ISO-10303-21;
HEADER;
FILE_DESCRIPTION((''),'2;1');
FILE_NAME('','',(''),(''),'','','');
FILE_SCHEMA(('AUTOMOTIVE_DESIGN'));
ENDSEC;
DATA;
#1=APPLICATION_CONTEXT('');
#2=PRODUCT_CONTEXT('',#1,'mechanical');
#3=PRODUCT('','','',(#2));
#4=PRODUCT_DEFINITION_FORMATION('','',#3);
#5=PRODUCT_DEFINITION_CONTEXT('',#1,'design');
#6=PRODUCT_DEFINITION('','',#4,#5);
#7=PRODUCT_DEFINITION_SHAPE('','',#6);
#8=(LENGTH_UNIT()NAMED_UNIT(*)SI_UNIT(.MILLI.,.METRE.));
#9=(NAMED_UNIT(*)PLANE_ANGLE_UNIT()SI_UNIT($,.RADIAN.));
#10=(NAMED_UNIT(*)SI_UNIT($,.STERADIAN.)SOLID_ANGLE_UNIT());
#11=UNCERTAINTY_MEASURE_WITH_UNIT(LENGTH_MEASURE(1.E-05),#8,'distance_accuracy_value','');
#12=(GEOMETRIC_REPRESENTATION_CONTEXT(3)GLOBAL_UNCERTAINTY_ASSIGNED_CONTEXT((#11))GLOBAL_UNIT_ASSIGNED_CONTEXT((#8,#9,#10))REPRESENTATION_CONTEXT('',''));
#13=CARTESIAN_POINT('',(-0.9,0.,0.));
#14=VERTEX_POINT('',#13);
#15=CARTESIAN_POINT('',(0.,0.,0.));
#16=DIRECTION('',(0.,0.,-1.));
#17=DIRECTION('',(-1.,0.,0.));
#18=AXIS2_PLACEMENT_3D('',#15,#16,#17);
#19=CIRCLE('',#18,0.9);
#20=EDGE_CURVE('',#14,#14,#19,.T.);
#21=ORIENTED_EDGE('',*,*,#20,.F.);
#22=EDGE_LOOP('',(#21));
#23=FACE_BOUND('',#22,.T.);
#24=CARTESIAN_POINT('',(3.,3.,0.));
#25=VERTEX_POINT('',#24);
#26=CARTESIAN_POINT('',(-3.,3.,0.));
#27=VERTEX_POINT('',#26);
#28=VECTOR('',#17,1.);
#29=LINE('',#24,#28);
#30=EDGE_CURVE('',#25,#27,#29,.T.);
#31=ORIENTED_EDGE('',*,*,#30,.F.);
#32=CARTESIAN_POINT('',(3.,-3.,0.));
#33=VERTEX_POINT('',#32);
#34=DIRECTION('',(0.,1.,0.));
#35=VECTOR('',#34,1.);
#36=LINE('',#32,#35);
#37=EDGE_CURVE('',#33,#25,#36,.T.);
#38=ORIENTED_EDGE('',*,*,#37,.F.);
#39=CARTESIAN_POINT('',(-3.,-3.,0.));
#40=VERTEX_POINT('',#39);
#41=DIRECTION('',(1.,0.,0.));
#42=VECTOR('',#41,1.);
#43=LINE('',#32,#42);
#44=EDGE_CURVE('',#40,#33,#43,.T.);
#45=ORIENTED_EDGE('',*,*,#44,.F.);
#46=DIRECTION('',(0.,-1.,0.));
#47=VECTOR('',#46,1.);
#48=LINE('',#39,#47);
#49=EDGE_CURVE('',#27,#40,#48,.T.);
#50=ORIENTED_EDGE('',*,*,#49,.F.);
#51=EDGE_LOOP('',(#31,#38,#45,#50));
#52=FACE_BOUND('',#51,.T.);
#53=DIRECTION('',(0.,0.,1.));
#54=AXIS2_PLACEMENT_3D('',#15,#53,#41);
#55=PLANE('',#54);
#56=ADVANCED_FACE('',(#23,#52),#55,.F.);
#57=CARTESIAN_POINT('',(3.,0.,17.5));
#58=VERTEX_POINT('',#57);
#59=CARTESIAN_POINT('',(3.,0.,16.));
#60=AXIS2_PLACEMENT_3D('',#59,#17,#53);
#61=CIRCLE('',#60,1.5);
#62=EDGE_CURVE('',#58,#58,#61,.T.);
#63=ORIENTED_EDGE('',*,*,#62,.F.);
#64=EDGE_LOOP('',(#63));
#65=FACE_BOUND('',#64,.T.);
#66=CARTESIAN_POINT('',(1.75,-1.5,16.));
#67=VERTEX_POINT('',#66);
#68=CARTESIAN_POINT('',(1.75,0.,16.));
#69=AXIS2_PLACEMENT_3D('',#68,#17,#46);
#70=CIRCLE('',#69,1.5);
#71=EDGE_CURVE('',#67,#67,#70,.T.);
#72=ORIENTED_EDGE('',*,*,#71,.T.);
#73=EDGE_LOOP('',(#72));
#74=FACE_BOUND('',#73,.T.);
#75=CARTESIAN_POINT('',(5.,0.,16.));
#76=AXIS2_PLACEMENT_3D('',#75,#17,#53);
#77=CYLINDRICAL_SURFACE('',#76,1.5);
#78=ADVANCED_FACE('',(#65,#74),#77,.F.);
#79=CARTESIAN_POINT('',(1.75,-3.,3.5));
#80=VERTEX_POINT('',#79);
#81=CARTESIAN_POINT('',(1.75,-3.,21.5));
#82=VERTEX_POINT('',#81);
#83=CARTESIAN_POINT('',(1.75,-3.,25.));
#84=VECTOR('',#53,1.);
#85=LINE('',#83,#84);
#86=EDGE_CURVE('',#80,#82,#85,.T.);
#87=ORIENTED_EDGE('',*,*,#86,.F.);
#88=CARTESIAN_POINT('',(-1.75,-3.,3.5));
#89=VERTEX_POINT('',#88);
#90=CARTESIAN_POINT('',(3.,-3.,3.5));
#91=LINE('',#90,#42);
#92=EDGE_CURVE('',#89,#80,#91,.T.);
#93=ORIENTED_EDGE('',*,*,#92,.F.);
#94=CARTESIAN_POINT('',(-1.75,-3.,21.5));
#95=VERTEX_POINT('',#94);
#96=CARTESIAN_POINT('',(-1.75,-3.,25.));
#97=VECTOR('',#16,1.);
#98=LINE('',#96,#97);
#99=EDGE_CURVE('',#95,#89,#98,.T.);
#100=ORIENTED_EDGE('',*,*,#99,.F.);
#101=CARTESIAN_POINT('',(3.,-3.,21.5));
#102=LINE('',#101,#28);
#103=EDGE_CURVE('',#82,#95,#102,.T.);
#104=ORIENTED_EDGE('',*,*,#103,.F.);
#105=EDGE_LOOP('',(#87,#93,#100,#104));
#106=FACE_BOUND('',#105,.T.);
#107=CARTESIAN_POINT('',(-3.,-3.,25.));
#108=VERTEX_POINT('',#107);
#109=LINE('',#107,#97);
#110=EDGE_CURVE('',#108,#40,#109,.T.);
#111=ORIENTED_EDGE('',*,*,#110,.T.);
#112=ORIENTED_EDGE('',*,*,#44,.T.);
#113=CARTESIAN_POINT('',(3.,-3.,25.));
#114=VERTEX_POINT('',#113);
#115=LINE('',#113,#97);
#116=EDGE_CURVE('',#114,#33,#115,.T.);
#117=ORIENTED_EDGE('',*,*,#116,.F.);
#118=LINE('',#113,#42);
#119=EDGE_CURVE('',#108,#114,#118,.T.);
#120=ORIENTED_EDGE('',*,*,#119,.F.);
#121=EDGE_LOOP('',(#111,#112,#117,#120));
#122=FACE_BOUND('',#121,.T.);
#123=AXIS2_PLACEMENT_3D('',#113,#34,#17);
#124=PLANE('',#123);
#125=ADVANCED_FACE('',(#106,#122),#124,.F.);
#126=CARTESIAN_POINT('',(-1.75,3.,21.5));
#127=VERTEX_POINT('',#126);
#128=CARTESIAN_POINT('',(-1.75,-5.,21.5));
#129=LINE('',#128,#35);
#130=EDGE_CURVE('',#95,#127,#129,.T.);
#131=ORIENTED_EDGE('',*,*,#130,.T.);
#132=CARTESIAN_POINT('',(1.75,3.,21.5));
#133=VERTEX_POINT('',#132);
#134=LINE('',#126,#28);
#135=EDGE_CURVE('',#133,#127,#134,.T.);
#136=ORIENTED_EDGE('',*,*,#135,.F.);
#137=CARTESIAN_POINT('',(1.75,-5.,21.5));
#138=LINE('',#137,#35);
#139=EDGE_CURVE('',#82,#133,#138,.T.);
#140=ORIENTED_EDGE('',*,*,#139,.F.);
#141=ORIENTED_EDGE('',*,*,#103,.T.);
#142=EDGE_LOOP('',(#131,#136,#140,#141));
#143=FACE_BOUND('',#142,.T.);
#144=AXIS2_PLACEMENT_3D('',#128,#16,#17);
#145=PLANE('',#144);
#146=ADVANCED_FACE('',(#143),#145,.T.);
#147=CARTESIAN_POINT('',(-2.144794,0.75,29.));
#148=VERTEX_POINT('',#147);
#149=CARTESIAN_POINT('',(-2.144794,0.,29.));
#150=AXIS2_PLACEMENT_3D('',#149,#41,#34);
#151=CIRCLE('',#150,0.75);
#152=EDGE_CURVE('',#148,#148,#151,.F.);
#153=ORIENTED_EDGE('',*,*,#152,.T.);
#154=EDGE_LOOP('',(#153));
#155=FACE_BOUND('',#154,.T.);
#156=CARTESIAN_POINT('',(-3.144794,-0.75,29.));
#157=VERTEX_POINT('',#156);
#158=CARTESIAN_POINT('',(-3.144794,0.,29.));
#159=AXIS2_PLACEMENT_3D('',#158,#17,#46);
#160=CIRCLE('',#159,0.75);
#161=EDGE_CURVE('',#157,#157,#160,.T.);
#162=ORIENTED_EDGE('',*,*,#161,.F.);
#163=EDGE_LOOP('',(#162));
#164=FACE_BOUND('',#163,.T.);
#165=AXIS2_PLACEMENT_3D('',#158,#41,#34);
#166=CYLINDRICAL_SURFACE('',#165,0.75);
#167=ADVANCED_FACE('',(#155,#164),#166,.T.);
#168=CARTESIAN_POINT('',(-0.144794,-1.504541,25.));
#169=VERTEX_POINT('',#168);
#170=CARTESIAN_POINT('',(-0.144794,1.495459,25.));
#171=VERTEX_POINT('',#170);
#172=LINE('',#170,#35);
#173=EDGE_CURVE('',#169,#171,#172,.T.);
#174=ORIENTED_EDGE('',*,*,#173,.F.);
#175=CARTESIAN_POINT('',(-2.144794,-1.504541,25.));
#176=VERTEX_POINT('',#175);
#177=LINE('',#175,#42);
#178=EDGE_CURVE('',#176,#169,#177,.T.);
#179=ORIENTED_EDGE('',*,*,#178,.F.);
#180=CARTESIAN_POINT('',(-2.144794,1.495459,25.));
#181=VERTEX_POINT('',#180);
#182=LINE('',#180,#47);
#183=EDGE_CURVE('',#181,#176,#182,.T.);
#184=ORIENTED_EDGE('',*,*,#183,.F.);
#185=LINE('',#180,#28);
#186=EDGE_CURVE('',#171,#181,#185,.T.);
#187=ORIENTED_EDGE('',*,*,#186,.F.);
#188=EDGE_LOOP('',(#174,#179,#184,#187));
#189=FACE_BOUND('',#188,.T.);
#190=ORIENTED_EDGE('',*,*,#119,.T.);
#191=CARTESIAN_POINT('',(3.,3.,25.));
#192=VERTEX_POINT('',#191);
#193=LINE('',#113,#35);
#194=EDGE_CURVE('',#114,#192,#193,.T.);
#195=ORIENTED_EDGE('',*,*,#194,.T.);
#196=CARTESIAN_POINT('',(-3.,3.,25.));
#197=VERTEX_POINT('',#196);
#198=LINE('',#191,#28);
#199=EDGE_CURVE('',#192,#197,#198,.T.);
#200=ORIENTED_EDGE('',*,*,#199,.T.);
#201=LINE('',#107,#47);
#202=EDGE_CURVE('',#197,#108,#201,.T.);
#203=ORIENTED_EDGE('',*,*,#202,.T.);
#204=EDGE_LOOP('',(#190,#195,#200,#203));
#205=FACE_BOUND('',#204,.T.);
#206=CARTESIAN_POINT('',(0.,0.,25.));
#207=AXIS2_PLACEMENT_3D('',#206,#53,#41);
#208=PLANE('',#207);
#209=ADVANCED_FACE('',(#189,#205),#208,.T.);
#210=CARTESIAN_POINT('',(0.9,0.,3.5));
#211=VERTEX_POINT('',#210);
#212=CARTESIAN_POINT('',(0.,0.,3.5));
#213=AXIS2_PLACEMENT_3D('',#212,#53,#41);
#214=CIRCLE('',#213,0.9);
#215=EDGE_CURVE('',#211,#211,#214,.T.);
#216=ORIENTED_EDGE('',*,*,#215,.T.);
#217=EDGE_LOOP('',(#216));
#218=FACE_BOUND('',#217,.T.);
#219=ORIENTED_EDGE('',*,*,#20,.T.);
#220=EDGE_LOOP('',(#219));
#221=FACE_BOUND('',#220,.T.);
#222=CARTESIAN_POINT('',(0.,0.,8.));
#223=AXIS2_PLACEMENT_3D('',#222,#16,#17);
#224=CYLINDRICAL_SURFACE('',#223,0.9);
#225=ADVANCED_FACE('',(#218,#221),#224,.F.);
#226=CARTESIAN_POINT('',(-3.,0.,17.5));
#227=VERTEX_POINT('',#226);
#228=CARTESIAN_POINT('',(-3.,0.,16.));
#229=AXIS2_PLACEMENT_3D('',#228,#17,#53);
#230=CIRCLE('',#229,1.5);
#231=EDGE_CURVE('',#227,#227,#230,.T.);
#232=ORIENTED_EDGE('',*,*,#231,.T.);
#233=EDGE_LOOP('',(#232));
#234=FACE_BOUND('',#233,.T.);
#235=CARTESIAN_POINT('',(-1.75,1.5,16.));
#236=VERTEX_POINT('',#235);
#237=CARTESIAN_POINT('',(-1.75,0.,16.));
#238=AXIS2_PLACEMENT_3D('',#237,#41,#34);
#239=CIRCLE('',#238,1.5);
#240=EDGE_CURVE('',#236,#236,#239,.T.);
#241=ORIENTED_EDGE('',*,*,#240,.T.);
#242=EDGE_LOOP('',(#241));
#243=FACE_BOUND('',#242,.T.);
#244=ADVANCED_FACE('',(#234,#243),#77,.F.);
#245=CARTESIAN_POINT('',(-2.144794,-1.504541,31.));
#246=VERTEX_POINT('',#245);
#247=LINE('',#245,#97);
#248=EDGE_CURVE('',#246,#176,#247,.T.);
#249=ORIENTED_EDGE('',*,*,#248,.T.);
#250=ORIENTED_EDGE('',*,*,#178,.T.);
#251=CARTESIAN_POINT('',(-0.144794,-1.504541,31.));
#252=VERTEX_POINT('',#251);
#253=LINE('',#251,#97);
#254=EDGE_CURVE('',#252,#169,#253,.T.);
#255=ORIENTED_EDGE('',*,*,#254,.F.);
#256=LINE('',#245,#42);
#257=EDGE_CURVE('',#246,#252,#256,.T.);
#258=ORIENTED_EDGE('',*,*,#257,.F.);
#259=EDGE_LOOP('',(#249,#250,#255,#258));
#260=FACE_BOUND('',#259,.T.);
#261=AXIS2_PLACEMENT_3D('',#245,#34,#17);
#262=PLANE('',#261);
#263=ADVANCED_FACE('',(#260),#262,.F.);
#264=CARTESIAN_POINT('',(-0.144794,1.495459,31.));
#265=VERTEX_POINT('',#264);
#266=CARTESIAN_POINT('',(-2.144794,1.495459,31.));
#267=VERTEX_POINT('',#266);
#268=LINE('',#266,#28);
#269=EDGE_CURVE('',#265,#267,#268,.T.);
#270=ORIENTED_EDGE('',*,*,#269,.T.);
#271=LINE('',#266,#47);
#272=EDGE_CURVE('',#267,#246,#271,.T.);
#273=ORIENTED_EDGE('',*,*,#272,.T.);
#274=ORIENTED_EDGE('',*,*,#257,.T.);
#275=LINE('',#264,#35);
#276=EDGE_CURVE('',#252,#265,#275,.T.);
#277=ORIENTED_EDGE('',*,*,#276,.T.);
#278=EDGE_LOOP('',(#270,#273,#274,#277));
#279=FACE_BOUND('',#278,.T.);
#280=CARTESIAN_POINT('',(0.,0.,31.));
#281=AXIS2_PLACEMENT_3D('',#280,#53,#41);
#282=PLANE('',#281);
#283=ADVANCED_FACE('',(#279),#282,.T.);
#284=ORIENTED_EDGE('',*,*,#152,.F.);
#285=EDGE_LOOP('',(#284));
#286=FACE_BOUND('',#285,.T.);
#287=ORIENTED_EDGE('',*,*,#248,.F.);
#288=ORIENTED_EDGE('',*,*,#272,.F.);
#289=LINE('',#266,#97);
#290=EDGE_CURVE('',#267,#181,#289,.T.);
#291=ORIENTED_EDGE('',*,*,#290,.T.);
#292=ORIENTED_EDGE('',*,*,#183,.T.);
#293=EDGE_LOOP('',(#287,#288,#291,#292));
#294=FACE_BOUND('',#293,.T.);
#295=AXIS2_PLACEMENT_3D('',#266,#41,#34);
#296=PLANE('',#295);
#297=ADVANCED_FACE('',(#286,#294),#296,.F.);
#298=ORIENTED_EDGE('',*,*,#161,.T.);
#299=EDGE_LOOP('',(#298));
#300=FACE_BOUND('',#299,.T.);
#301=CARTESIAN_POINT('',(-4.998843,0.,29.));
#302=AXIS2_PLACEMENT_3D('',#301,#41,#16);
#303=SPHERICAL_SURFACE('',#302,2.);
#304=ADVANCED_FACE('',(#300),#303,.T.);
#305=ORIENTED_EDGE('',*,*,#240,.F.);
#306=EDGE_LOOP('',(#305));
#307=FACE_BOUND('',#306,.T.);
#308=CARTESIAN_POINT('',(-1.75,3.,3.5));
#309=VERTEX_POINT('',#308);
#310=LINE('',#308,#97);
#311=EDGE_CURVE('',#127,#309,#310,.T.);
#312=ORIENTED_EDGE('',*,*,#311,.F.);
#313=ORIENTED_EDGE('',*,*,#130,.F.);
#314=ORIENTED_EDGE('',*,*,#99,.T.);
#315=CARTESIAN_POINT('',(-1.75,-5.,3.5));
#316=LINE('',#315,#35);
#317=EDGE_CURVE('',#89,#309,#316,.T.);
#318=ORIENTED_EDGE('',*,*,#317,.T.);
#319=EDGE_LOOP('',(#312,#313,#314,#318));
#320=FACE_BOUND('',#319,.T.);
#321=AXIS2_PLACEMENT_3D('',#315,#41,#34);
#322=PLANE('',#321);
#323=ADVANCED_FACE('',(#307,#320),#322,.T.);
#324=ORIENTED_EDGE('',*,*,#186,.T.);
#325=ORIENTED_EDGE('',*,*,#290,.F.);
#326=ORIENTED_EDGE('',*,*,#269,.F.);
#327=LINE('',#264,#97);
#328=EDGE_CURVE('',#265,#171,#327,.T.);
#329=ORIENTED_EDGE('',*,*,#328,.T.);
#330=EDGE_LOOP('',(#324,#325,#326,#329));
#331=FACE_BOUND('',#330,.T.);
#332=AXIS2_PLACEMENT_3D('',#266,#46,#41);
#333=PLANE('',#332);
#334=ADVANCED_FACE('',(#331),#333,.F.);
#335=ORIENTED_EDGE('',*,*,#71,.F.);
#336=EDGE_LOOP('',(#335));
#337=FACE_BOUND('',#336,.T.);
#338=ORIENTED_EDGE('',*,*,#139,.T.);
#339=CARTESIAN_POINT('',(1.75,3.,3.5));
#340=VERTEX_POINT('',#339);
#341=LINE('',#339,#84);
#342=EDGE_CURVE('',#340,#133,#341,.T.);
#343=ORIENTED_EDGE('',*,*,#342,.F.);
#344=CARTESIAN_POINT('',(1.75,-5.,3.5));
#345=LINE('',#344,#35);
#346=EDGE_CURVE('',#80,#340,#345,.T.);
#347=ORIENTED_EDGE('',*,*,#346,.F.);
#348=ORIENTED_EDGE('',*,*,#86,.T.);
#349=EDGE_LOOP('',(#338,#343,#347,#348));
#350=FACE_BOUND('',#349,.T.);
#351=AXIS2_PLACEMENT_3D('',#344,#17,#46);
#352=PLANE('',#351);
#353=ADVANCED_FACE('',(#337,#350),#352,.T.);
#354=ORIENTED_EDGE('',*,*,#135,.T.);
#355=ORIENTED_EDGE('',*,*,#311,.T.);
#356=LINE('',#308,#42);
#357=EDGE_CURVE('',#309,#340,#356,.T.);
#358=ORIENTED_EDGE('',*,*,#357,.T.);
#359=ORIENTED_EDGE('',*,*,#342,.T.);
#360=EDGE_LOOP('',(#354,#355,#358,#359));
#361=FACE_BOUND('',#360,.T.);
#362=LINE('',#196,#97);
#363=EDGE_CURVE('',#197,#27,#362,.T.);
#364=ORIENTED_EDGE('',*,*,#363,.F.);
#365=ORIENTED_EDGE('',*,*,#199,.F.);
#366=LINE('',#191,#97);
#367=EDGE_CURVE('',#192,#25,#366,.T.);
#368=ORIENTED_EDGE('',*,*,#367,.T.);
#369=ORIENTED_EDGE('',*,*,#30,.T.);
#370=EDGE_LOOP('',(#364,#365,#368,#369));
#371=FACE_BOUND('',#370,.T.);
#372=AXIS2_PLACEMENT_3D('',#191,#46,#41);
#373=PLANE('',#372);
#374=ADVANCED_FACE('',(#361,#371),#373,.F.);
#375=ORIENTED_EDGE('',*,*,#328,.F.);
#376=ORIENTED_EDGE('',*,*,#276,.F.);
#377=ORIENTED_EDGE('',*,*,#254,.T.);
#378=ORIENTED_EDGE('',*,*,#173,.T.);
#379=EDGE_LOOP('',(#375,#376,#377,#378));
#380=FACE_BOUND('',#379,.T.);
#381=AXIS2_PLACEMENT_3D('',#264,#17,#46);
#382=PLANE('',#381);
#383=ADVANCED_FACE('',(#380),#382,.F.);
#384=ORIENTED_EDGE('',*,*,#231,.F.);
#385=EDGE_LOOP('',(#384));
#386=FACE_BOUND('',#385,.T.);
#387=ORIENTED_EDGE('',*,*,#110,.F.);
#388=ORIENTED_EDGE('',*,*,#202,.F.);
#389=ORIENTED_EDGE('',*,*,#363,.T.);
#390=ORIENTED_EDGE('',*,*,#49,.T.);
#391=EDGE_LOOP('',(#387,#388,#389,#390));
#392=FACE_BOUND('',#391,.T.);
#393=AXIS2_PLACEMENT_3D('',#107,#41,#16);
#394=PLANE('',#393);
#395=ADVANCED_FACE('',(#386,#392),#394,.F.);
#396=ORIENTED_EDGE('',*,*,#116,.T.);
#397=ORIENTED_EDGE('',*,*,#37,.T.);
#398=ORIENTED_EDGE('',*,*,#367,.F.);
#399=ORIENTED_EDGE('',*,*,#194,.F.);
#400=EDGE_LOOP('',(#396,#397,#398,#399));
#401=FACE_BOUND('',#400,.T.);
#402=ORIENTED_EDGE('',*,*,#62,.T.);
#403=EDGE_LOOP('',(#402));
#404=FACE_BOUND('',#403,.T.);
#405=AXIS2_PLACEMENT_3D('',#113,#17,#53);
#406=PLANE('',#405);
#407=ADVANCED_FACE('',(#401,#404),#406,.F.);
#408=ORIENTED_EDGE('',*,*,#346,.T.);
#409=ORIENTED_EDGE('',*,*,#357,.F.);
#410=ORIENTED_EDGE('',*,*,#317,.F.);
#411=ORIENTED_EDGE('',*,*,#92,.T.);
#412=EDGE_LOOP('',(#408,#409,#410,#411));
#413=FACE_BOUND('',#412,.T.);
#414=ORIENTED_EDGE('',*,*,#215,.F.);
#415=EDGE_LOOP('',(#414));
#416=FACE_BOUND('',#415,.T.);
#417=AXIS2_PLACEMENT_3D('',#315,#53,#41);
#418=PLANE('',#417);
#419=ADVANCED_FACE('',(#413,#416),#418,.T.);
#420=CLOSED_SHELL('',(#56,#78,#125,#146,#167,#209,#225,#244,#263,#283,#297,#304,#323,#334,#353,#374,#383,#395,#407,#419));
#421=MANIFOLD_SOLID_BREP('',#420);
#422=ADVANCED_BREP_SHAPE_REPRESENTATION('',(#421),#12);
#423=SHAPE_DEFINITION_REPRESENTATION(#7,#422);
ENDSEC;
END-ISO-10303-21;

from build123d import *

# Parameters (mm, degrees)
SKETCH_1_W          = 6
SKETCH_1_H          = 6
EXTRUDE_1_DEPTH     = 25
SKETCH_2_W          = 2
SKETCH_2_H          = 3
EXTRUDE_2_DEPTH     = 6
SKETCH_3_R          = 0.75
EXTRUDE_3_DEPTH     = 1
SKETCH_5_W          = 18
SKETCH_5_H          = 3.5
CUT_EXTRUDE_1_DEPTH = 8
SKETCH_6_R          = 1.5
CUT_EXTRUDE_2_DEPTH = 8
SKETCH_7_R          = 0.9
CUT_EXTRUDE_3_DEPTH = 8


with BuildPart() as part:
    # 草图1 → 凸台-拉伸1 (new body)
    with BuildSketch(Plane.XY):
        Rectangle(SKETCH_1_W, SKETCH_1_H)
    extrude(amount=EXTRUDE_1_DEPTH)

    # 草图2 → 凸台-拉伸2 (add)
    with BuildSketch(Plane.XY.offset(25)):
        with Locations((-1.14479355, -0.004540815)):
            Rectangle(SKETCH_2_W, SKETCH_2_H)
    extrude(amount=EXTRUDE_2_DEPTH)

    # 草图3 → 凸台-拉伸3 (add)
    with BuildSketch(Plane.ZY.offset(2.14479355)):
        with Locations(Location((29, 0, 0), (0, 0, 90))):
            Circle(SKETCH_3_R)
    extrude(amount=EXTRUDE_3_DEPTH)

    # 草图4 → 旋转1 (revolve)
    with BuildSketch(Plane(origin=(0, 0, 0), x_dir=(1, 0, 0), z_dir=(0, 1, 0))):
        with BuildLine():
            Line((-3.14479355, -29), (-6.998843172, -29))
            ThreePointArc((-6.998843172, -29), (-5.380877697, -27.036826645), (-3.14479355, -28.25))
            Line((-3.14479355, -28.25), (-3.14479355, -29))
        make_face()
    revolve(axis=Axis((-3.14479355, 0, 29), (-1, 0, 0)))

    # 草图5 → 切除-拉伸1 (cut)
    with BuildSketch(Plane(origin=(0.5, 3, 0), x_dir=(0, 0, 1), z_dir=(0, -1, 0))):
        with Locations((12.5, 0.5)):
            Rectangle(SKETCH_5_W, SKETCH_5_H)
    extrude(amount=CUT_EXTRUDE_1_DEPTH, mode=Mode.SUBTRACT)

    # 草图6 → 切除-拉伸2 (cut)
    with BuildSketch(Plane.ZY.offset(3)):
        with Locations((16, 0)):
            Circle(SKETCH_6_R)
    extrude(amount=-CUT_EXTRUDE_2_DEPTH, mode=Mode.SUBTRACT)

    # 草图7 → 切除-拉伸3 (cut)
    with BuildSketch(Plane(origin=(0, 0, 0), x_dir=(-1, 0, 0), z_dir=(0, 0, -1))):
        Circle(SKETCH_7_R)
    extrude(amount=-CUT_EXTRUDE_3_DEPTH, mode=Mode.SUBTRACT)


solid = part.part
